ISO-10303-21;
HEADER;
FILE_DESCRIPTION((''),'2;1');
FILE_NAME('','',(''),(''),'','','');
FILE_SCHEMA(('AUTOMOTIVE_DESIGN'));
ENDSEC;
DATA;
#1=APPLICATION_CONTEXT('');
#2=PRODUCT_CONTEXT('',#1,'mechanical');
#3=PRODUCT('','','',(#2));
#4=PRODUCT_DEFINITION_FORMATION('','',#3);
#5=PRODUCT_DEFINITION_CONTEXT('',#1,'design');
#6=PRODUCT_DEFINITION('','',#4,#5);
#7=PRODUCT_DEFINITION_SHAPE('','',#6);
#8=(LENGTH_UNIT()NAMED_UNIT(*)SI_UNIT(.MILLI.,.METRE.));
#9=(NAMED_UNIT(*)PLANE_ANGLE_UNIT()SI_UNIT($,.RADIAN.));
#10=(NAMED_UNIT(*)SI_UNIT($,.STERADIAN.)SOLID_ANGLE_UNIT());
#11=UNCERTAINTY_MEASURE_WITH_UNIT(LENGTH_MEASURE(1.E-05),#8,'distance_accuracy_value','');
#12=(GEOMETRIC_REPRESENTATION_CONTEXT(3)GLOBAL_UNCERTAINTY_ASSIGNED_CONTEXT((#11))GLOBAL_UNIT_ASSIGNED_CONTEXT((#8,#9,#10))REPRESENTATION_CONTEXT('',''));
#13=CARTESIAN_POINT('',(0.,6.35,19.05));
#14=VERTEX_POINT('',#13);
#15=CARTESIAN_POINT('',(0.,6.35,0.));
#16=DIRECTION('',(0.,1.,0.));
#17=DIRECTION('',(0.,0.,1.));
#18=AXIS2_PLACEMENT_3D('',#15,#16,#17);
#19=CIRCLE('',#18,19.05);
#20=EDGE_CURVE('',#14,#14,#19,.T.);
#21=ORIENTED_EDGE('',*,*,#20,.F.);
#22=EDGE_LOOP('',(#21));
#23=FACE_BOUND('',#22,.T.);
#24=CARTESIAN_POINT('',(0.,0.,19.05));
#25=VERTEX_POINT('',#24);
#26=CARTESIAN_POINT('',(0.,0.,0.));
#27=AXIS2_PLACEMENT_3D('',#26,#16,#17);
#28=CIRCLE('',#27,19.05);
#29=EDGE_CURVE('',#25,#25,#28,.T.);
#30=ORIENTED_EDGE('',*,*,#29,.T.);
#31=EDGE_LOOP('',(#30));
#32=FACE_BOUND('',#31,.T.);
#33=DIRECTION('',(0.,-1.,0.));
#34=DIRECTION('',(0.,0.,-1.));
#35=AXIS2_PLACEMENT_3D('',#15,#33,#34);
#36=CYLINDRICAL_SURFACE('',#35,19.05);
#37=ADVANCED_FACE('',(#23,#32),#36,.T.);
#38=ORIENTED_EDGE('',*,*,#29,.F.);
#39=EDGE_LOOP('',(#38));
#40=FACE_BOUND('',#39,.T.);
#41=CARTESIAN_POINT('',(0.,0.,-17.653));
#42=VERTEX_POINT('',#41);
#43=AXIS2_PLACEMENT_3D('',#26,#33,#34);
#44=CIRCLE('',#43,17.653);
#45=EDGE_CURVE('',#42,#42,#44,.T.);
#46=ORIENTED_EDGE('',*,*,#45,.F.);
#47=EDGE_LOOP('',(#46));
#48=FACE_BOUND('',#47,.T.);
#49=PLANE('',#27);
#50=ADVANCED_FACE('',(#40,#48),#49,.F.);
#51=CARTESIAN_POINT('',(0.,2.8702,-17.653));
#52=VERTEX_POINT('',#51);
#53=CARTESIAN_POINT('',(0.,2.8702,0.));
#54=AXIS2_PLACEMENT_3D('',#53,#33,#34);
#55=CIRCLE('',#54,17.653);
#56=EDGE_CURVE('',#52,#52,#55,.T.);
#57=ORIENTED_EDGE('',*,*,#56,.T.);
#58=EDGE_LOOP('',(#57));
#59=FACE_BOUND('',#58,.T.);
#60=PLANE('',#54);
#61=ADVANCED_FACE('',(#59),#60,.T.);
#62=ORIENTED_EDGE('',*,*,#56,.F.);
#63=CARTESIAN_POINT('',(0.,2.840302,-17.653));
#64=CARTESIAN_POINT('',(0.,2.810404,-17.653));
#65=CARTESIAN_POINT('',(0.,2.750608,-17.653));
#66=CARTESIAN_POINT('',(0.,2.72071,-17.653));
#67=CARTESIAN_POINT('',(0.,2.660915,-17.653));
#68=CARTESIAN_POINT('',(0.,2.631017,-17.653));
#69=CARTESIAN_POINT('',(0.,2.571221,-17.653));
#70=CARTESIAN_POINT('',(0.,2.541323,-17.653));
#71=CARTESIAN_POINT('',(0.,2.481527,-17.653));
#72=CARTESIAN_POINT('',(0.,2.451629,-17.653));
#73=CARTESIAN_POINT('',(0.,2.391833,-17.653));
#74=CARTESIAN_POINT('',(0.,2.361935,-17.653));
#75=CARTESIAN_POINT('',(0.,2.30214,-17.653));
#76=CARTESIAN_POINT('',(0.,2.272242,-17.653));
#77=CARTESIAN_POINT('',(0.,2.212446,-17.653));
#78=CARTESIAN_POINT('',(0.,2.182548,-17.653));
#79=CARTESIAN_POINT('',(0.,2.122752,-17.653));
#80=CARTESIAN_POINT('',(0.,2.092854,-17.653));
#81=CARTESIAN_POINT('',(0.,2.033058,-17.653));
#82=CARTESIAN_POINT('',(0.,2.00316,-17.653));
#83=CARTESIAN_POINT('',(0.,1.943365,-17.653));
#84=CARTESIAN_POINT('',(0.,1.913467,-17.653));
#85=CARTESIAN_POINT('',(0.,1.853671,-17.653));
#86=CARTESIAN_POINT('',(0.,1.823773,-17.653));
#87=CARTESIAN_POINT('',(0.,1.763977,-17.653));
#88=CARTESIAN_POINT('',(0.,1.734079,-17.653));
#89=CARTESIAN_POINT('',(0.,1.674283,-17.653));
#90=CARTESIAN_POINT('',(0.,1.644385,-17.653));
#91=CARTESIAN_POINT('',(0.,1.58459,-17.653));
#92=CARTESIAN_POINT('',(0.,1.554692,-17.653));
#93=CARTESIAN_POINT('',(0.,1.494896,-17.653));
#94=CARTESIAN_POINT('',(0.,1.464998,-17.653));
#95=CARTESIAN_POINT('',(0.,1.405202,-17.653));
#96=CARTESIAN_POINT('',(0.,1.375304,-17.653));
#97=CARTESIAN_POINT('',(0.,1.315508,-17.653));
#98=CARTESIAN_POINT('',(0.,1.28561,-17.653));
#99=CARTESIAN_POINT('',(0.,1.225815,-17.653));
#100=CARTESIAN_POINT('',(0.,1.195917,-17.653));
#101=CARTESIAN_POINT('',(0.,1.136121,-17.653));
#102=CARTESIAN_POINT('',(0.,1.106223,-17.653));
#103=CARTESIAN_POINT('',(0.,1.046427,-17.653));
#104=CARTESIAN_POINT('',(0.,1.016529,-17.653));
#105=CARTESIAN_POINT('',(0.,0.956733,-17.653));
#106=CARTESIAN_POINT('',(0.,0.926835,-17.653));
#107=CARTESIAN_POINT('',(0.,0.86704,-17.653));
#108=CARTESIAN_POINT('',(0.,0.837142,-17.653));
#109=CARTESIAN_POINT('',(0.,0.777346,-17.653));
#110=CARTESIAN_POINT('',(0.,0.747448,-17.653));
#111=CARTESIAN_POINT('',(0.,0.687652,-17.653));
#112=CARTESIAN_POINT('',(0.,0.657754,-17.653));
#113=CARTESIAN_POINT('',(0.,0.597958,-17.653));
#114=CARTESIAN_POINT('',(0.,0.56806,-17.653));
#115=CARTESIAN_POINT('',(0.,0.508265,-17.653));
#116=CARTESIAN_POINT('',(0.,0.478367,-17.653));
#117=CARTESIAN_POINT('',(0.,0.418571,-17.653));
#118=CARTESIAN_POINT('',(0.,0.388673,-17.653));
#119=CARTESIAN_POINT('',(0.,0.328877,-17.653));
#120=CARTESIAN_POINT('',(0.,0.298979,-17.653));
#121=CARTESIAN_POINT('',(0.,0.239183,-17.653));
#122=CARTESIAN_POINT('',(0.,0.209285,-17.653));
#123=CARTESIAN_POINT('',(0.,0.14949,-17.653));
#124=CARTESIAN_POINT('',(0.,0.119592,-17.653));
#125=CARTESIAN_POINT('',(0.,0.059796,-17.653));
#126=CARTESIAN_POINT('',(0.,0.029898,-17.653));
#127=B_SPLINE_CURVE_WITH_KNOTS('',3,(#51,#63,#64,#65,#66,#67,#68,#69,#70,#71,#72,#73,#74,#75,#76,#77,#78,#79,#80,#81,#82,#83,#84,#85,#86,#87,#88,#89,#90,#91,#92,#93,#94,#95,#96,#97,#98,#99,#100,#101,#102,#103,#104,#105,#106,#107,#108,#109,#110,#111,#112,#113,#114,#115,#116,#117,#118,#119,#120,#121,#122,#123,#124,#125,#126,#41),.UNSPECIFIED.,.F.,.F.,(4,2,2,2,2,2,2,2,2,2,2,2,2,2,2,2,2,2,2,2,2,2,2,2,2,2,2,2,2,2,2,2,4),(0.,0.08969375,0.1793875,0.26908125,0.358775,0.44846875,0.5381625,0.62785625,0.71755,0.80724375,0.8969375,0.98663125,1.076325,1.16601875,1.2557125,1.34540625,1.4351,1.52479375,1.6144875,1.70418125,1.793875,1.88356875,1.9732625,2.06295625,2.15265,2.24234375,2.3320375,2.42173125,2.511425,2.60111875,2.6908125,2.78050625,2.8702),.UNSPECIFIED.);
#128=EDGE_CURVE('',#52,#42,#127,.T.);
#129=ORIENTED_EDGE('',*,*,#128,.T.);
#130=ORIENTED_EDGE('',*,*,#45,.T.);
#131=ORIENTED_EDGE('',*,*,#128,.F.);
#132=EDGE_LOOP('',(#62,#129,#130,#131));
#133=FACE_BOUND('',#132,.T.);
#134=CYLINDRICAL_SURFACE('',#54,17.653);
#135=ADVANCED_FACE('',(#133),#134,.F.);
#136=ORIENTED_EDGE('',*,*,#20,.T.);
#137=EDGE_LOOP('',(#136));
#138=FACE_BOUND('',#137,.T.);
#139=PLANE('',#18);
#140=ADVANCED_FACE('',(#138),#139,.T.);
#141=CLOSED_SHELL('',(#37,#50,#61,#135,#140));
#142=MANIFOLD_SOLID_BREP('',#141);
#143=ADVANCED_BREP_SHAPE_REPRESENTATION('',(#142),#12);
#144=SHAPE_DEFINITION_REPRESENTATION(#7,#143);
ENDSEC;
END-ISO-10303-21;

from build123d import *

# Parameters (mm, degrees)
SKETCH1_R           = 19.05
BOSS_EXTRUDE1_DEPTH = 6.35
SKETCH2_R           = 17.653
CUT_EXTRUDE1_DEPTH  = 2.8702


with BuildPart() as part:
    # Sketch1 → Boss-Extrude1 (new body)
    with BuildSketch(Plane(origin=(0, 0, 0), x_dir=(1, 0, 0), z_dir=(0, 1, 0))):
        with Locations(Location((0, 0, 0), (0, 0, 270))):
            Circle(SKETCH1_R)
    extrude(amount=BOSS_EXTRUDE1_DEPTH)

    # Sketch2 → Cut-Extrude1 (cut)
    with BuildSketch(Plane.XZ):
        with Locations(Location((0, 0, 0), (0, 0, 270))):
            Circle(SKETCH2_R)
    extrude(amount=-CUT_EXTRUDE1_DEPTH, mode=Mode.SUBTRACT)


solid = part.part
